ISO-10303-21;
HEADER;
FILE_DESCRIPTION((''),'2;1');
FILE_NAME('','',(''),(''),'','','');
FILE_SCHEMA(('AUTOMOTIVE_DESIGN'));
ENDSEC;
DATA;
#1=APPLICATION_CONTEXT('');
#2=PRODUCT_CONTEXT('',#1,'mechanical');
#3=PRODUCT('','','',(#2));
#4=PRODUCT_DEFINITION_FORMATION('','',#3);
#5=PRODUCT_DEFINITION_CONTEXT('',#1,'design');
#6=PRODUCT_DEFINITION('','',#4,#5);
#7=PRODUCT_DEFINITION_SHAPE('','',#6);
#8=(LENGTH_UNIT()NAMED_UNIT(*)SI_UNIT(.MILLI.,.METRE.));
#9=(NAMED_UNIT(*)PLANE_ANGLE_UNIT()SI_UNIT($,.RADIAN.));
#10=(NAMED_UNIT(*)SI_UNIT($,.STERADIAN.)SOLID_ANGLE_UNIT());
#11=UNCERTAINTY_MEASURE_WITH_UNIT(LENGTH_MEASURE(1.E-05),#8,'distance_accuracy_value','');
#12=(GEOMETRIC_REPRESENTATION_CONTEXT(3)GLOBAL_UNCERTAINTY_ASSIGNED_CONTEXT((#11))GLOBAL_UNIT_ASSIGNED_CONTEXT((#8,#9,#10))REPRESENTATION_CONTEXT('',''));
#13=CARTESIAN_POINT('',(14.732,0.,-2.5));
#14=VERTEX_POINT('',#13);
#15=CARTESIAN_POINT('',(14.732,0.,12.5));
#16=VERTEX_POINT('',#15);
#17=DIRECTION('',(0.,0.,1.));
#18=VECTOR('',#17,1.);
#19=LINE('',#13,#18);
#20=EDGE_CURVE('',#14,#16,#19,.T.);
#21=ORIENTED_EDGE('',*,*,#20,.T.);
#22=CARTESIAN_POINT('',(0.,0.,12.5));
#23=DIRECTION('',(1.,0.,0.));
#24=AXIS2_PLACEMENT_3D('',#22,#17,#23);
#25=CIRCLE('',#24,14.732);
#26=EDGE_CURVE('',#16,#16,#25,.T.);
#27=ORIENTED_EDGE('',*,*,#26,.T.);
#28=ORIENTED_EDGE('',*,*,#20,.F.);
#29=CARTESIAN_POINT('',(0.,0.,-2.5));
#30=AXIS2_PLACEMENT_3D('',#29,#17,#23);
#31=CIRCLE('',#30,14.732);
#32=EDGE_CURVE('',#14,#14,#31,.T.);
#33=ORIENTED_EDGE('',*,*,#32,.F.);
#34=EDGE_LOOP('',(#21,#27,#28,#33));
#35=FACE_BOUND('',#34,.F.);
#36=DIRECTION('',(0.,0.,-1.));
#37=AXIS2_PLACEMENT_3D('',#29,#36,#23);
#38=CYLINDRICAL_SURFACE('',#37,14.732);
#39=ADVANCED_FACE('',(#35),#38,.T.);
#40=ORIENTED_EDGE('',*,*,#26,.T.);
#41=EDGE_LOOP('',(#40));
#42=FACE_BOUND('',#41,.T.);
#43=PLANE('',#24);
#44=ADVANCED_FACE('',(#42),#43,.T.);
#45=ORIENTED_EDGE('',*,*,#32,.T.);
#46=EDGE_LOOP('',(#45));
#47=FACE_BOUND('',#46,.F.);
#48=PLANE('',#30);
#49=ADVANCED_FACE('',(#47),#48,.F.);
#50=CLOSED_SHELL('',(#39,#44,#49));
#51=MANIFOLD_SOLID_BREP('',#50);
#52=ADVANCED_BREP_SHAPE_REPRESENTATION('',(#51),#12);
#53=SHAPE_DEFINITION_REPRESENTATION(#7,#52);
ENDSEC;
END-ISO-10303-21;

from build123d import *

# Parameters (mm, degrees)
CYLINDER_R     = 14.732
CYLINDER_DEPTH = 15


with BuildPart() as part:
    # Cylinder → Cylinder (new body)
    with BuildSketch(Plane.XY.offset(-2.5)):
        Circle(CYLINDER_R)
    extrude(amount=CYLINDER_DEPTH)


solid = part.part
